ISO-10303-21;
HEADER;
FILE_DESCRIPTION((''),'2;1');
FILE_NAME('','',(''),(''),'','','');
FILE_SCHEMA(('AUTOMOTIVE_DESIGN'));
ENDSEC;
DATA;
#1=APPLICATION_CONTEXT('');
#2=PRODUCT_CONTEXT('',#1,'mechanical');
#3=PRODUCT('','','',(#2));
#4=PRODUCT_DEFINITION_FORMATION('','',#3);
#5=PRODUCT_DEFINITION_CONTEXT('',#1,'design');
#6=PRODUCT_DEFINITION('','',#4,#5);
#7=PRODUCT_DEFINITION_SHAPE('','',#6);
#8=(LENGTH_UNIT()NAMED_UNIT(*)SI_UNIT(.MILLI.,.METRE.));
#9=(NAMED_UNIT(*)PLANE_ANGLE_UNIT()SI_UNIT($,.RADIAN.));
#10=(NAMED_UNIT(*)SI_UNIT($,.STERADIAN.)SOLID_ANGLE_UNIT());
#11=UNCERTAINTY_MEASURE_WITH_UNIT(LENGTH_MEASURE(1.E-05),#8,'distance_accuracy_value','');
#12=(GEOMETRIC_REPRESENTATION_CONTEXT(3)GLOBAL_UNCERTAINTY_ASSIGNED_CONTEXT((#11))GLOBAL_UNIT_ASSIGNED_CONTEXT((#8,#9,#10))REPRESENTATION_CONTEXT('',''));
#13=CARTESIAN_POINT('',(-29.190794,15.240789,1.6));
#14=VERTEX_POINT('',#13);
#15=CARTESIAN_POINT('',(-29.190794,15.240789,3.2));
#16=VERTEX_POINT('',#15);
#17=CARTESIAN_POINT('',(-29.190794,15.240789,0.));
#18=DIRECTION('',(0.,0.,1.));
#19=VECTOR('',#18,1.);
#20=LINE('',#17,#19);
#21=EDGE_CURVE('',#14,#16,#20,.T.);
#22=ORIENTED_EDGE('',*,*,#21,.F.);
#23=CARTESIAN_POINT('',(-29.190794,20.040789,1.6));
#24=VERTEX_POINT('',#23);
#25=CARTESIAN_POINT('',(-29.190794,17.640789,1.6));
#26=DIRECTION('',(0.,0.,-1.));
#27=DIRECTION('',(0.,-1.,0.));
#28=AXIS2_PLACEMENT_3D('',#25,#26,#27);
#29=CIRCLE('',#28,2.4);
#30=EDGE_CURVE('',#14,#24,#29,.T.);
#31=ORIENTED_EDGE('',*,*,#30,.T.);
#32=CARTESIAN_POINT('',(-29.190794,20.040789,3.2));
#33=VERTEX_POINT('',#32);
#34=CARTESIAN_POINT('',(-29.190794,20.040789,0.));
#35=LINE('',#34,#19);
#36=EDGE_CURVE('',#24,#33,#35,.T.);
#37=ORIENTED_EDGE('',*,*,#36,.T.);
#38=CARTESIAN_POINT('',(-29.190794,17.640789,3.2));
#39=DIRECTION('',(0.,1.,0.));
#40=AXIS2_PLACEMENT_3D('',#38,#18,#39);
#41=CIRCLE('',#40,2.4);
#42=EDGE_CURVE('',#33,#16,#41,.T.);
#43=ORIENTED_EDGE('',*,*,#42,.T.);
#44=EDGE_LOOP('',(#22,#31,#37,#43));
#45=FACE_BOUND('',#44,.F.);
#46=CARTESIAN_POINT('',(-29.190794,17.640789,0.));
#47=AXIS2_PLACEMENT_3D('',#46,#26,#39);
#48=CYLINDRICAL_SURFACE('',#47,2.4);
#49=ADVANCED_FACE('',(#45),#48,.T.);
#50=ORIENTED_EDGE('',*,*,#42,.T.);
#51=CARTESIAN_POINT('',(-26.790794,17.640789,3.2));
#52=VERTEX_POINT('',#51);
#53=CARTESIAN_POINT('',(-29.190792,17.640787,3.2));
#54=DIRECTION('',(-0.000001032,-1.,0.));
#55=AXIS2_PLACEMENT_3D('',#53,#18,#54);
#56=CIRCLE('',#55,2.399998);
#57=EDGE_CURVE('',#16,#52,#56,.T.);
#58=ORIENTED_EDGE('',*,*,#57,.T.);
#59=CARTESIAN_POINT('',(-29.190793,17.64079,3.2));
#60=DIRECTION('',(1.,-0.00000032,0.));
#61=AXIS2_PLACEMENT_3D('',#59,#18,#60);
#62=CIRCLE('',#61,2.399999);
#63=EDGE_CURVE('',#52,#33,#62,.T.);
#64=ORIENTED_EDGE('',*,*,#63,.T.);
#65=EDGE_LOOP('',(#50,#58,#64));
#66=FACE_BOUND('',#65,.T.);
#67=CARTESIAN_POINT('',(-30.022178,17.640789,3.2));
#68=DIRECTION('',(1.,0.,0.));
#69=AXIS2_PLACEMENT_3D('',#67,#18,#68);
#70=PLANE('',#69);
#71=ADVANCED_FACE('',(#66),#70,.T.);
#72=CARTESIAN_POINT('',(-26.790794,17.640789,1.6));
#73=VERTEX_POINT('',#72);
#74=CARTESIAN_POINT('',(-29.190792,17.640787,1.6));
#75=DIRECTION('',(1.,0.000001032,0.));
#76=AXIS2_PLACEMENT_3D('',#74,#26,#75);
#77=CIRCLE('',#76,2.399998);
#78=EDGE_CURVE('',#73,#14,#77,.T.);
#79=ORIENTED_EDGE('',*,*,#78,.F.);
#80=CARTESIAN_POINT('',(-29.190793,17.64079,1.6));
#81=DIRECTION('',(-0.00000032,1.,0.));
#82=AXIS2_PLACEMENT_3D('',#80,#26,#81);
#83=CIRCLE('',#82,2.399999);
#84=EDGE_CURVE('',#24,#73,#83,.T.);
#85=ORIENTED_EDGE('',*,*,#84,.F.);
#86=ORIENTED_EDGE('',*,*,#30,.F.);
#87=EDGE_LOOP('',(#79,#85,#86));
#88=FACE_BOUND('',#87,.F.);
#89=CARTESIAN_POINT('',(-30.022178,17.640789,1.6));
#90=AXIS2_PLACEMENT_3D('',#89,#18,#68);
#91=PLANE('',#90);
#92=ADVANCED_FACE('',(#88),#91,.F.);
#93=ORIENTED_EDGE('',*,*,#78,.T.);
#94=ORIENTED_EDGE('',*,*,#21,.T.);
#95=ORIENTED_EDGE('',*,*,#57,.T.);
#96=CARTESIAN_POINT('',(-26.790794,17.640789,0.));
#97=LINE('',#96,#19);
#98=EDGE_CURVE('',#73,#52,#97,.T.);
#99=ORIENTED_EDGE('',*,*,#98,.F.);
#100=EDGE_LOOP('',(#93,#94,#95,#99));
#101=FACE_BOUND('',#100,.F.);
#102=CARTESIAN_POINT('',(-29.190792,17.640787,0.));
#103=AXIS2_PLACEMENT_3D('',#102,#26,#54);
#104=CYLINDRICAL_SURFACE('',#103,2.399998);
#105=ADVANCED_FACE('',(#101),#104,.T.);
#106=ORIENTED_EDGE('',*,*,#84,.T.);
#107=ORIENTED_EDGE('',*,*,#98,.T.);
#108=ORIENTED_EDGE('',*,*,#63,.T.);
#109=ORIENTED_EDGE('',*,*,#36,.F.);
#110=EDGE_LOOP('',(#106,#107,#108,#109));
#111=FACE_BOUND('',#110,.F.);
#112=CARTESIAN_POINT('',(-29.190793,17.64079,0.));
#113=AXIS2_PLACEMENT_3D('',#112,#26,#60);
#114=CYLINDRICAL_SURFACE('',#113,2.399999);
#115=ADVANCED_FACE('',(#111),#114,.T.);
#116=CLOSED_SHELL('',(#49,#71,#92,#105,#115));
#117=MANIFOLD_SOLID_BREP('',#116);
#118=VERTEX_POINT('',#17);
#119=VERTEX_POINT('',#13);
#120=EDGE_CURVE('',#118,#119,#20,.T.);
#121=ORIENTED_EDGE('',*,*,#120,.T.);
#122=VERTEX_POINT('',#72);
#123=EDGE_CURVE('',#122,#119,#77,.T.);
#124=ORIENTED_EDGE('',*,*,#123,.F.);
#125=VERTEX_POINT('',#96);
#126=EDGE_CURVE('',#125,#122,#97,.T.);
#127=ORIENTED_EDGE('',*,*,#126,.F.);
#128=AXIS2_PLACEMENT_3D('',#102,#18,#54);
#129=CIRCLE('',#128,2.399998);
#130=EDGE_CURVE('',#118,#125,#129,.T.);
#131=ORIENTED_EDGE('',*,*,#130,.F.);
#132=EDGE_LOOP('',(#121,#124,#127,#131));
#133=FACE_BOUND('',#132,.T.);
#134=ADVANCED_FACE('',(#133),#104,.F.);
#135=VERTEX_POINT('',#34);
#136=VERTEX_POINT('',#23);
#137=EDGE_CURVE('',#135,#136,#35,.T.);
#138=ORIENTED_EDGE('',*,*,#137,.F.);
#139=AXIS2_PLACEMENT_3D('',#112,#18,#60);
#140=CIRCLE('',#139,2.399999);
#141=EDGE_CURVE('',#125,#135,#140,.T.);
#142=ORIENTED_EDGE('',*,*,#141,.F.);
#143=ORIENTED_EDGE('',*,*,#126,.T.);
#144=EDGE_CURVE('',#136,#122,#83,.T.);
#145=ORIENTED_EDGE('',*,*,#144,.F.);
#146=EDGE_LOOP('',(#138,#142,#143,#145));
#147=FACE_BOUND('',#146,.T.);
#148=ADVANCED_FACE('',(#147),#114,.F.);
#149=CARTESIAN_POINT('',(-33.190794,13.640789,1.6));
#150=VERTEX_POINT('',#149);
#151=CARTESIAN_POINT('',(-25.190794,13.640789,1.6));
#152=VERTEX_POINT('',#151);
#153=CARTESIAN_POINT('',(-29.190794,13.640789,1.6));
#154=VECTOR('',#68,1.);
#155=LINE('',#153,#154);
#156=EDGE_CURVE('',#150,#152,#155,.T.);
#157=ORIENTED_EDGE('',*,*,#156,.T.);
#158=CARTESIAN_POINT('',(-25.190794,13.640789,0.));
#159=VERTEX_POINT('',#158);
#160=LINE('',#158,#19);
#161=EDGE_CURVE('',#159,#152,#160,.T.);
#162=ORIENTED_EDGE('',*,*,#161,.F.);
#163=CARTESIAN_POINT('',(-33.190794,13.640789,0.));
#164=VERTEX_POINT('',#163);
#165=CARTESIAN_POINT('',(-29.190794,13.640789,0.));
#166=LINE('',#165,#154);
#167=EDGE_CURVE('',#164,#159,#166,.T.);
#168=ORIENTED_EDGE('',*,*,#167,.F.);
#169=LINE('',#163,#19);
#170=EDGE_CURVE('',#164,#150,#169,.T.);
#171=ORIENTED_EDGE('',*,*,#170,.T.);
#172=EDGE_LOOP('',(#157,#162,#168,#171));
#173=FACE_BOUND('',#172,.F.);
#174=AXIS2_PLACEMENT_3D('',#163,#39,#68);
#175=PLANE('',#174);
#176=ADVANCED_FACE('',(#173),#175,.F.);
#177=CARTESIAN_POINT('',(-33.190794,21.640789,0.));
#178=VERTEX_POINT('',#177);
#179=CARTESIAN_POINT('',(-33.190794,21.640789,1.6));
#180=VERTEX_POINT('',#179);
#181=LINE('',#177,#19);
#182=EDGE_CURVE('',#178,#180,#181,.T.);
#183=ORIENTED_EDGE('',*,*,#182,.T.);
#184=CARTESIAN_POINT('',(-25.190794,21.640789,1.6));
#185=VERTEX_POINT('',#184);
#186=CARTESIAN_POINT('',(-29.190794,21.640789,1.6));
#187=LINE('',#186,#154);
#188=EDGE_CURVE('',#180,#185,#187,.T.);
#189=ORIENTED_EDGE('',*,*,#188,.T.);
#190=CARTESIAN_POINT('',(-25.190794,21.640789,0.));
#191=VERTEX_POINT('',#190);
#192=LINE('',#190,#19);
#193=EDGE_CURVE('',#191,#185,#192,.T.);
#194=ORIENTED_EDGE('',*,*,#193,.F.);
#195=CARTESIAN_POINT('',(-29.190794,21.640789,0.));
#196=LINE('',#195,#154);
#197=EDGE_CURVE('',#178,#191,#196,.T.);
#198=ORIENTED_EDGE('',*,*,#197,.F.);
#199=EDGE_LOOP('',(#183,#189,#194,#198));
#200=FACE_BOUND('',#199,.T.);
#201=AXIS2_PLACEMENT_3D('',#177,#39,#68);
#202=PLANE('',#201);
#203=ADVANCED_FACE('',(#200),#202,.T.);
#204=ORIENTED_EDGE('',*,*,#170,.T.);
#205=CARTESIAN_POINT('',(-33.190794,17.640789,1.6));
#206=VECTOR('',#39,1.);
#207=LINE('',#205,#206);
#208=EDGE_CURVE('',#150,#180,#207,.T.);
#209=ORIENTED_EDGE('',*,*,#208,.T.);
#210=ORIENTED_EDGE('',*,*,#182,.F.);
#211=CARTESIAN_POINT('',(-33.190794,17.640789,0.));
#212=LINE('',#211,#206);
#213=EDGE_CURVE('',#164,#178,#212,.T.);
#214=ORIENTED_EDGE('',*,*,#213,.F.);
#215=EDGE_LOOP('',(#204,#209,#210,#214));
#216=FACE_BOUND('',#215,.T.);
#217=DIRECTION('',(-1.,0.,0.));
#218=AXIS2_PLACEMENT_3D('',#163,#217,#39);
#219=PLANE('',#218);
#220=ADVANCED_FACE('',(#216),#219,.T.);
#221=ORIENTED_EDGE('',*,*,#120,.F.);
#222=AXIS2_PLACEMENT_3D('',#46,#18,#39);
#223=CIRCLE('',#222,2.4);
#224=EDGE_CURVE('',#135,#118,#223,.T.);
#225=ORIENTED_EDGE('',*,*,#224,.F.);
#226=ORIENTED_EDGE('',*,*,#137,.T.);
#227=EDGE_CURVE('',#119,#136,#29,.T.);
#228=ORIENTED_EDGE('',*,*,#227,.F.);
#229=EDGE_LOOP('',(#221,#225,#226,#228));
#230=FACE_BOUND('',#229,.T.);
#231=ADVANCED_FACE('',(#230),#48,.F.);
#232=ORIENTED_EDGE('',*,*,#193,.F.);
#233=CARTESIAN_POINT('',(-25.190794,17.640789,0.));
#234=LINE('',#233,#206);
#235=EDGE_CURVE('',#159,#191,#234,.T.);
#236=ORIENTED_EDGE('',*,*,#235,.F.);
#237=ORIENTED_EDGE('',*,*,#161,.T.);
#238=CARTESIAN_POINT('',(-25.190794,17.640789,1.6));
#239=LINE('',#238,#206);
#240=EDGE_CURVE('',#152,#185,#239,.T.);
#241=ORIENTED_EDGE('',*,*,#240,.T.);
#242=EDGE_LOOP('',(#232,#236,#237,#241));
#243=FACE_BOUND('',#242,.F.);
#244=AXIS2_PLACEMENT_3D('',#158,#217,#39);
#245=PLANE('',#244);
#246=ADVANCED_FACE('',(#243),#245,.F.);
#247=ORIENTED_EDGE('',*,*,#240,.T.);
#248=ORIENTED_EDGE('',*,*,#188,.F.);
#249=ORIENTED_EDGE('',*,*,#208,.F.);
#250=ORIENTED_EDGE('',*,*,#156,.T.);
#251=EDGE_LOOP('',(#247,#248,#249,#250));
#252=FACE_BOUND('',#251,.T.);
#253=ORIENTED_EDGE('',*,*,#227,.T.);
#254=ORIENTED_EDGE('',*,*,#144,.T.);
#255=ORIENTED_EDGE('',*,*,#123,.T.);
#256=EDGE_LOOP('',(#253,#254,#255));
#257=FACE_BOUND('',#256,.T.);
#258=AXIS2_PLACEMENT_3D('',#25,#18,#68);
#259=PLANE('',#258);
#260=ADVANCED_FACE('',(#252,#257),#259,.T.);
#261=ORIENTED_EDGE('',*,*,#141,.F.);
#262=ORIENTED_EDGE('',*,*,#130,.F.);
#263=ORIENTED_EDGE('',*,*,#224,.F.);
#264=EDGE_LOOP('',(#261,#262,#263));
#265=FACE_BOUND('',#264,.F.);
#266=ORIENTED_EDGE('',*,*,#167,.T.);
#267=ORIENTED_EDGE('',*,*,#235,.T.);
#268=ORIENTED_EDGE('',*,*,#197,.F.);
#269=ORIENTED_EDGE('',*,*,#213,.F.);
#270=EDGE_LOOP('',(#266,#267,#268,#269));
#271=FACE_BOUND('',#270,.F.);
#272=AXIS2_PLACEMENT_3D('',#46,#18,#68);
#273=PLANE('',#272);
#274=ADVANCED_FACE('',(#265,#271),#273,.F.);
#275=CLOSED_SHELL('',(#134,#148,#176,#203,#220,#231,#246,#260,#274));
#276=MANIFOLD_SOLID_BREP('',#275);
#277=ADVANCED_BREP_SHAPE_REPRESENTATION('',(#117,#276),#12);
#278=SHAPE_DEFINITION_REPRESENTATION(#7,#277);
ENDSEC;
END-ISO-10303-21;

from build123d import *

# Parameters (mm, degrees)
F1_DEPTH = 3.2
F0_W     = 8
F0_H     = 8
F2_DEPTH = 1.6
F3_DEPTH = 1.6


with BuildPart() as f1:
    # F0 (on Top) → F1 (new body)
    with BuildSketch(Plane.XY):
        with BuildLine():
            Line((-29.190794, 15.240789), (-29.190794, 20.040789))
            ThreePointArc((-29.190794, 20.040789), (-31.590794, 17.640789), (-29.190794, 15.240789))
        make_face()
        with BuildLine():
            ThreePointArc((-29.190794, 15.240789), (-27.493737, 15.943732), (-26.790794, 17.640789))
            ThreePointArc((-26.790794, 17.640789), (-27.493737, 19.337845), (-29.190794, 20.040789))
            Line((-29.190794, 20.040789), (-29.190794, 15.240789))
        make_face()
    extrude(amount=F1_DEPTH)

    # F0 (on Top) → F2 (join)
    with BuildSketch(Plane.XY):
        with Locations((-29.190794, 17.640789)):
            Rectangle(F0_W, F0_H)
        with BuildLine():
            ThreePointArc((-29.190794, 20.040789), (-27.493737, 19.337845), (-26.790794, 17.640789))
            ThreePointArc((-26.790794, 17.640789), (-27.493737, 15.943732), (-29.190794, 15.240789))
            ThreePointArc((-29.190794, 15.240789), (-31.590794, 17.640789), (-29.190794, 20.040789))
        make_face(mode=Mode.SUBTRACT)
    extrude(amount=F2_DEPTH)

    # F0 (on Top) → F3 (cut)
    with BuildSketch(Plane.XY):
        with BuildLine():
            Line((-29.190794, 15.240789), (-29.190794, 20.040789))
            ThreePointArc((-29.190794, 20.040789), (-31.590794, 17.640789), (-29.190794, 15.240789))
        make_face()
        with BuildLine():
            ThreePointArc((-29.190794, 15.240789), (-27.493737, 15.943732), (-26.790794, 17.640789))
            ThreePointArc((-26.790794, 17.640789), (-27.493737, 19.337845), (-29.190794, 20.040789))
            Line((-29.190794, 20.040789), (-29.190794, 15.240789))
        make_face()
    extrude(amount=F3_DEPTH, mode=Mode.SUBTRACT)


solid = f1.part
